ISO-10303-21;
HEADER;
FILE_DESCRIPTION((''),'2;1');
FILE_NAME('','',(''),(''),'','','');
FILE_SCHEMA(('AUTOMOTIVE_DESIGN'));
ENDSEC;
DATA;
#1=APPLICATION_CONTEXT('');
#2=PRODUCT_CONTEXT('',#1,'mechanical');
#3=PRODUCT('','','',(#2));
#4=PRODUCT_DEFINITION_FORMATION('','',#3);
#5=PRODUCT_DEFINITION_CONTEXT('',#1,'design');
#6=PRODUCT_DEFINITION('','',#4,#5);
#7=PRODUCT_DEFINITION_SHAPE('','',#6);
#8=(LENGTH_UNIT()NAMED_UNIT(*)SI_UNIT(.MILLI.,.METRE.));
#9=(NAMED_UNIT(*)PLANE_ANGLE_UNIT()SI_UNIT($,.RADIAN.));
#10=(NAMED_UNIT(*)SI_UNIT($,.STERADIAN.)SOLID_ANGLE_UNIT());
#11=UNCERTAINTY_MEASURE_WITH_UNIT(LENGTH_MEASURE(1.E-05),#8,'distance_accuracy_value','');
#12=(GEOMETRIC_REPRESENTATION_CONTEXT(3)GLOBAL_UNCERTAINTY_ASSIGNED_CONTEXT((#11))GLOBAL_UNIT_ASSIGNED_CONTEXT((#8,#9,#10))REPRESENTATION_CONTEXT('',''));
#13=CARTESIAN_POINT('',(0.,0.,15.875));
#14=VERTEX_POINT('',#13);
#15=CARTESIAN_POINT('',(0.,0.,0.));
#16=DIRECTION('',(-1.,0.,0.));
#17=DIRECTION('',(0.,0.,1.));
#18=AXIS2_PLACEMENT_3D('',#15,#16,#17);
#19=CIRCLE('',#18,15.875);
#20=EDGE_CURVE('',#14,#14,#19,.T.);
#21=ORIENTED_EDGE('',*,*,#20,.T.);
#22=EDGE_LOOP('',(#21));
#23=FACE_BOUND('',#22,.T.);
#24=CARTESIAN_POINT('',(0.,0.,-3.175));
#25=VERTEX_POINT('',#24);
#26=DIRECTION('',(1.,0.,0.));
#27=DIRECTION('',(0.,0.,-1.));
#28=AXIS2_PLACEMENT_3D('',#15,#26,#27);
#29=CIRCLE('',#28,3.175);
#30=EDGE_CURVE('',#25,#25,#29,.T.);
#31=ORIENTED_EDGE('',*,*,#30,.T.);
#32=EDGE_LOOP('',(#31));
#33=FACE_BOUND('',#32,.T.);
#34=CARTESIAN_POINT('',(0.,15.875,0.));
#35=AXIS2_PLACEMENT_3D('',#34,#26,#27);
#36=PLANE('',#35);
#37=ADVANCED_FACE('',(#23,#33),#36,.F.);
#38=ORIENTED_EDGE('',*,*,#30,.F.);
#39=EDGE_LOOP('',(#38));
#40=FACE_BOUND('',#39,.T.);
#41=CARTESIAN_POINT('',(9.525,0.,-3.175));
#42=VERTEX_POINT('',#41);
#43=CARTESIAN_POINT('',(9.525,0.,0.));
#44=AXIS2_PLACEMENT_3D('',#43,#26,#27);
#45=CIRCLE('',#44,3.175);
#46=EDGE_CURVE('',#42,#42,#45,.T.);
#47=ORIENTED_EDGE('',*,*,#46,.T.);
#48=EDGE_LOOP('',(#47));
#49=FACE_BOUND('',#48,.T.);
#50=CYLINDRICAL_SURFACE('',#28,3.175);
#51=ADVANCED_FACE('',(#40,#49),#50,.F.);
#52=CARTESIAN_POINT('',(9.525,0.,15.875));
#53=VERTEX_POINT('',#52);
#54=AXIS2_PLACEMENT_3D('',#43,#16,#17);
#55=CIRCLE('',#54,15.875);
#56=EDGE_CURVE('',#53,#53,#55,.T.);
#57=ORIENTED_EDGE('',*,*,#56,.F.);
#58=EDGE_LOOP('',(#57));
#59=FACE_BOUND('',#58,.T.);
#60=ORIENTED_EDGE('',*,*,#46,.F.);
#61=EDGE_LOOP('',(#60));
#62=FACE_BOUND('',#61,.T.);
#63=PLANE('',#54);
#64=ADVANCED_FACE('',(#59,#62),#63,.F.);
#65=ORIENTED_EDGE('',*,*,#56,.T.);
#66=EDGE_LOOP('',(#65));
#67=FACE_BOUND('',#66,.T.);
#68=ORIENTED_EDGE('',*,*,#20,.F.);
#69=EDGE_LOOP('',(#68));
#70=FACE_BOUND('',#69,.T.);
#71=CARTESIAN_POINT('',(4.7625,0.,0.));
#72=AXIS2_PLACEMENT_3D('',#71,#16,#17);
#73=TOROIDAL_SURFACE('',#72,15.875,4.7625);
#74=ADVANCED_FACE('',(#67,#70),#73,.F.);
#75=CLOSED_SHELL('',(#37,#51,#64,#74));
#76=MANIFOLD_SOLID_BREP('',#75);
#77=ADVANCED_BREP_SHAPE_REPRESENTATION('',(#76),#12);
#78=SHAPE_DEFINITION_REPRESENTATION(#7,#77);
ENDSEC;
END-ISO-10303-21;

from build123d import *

# Parameters (mm, degrees)
SKETCH2_R          = 3.175
CUT_EXTRUDE1_DEPTH = 10.525


with BuildPart() as part:
    # Sketch1 → Revolve1 (revolve)
    with BuildSketch(Plane.XY):
        with BuildLine():
            Line((0, 15.875), (0, 0))
            Line((0, 0), (9.525, 0))
            Line((9.525, 0), (9.525, 15.875))
            ThreePointArc((9.525, 15.875), (4.7625, 11.1125), (0, 15.875))
        make_face()
    revolve(axis=Axis((0, 0, 0), (1, 0, 0)))

    # Sketch2 → Cut-Extrude1 (cut, through all)
    with BuildSketch(Plane(origin=(9.525, 0, 0), x_dir=(0, 0, -1), z_dir=(1, 0, 0))):
        Circle(SKETCH2_R)
    extrude(amount=-CUT_EXTRUDE1_DEPTH, mode=Mode.SUBTRACT)


solid = part.part
